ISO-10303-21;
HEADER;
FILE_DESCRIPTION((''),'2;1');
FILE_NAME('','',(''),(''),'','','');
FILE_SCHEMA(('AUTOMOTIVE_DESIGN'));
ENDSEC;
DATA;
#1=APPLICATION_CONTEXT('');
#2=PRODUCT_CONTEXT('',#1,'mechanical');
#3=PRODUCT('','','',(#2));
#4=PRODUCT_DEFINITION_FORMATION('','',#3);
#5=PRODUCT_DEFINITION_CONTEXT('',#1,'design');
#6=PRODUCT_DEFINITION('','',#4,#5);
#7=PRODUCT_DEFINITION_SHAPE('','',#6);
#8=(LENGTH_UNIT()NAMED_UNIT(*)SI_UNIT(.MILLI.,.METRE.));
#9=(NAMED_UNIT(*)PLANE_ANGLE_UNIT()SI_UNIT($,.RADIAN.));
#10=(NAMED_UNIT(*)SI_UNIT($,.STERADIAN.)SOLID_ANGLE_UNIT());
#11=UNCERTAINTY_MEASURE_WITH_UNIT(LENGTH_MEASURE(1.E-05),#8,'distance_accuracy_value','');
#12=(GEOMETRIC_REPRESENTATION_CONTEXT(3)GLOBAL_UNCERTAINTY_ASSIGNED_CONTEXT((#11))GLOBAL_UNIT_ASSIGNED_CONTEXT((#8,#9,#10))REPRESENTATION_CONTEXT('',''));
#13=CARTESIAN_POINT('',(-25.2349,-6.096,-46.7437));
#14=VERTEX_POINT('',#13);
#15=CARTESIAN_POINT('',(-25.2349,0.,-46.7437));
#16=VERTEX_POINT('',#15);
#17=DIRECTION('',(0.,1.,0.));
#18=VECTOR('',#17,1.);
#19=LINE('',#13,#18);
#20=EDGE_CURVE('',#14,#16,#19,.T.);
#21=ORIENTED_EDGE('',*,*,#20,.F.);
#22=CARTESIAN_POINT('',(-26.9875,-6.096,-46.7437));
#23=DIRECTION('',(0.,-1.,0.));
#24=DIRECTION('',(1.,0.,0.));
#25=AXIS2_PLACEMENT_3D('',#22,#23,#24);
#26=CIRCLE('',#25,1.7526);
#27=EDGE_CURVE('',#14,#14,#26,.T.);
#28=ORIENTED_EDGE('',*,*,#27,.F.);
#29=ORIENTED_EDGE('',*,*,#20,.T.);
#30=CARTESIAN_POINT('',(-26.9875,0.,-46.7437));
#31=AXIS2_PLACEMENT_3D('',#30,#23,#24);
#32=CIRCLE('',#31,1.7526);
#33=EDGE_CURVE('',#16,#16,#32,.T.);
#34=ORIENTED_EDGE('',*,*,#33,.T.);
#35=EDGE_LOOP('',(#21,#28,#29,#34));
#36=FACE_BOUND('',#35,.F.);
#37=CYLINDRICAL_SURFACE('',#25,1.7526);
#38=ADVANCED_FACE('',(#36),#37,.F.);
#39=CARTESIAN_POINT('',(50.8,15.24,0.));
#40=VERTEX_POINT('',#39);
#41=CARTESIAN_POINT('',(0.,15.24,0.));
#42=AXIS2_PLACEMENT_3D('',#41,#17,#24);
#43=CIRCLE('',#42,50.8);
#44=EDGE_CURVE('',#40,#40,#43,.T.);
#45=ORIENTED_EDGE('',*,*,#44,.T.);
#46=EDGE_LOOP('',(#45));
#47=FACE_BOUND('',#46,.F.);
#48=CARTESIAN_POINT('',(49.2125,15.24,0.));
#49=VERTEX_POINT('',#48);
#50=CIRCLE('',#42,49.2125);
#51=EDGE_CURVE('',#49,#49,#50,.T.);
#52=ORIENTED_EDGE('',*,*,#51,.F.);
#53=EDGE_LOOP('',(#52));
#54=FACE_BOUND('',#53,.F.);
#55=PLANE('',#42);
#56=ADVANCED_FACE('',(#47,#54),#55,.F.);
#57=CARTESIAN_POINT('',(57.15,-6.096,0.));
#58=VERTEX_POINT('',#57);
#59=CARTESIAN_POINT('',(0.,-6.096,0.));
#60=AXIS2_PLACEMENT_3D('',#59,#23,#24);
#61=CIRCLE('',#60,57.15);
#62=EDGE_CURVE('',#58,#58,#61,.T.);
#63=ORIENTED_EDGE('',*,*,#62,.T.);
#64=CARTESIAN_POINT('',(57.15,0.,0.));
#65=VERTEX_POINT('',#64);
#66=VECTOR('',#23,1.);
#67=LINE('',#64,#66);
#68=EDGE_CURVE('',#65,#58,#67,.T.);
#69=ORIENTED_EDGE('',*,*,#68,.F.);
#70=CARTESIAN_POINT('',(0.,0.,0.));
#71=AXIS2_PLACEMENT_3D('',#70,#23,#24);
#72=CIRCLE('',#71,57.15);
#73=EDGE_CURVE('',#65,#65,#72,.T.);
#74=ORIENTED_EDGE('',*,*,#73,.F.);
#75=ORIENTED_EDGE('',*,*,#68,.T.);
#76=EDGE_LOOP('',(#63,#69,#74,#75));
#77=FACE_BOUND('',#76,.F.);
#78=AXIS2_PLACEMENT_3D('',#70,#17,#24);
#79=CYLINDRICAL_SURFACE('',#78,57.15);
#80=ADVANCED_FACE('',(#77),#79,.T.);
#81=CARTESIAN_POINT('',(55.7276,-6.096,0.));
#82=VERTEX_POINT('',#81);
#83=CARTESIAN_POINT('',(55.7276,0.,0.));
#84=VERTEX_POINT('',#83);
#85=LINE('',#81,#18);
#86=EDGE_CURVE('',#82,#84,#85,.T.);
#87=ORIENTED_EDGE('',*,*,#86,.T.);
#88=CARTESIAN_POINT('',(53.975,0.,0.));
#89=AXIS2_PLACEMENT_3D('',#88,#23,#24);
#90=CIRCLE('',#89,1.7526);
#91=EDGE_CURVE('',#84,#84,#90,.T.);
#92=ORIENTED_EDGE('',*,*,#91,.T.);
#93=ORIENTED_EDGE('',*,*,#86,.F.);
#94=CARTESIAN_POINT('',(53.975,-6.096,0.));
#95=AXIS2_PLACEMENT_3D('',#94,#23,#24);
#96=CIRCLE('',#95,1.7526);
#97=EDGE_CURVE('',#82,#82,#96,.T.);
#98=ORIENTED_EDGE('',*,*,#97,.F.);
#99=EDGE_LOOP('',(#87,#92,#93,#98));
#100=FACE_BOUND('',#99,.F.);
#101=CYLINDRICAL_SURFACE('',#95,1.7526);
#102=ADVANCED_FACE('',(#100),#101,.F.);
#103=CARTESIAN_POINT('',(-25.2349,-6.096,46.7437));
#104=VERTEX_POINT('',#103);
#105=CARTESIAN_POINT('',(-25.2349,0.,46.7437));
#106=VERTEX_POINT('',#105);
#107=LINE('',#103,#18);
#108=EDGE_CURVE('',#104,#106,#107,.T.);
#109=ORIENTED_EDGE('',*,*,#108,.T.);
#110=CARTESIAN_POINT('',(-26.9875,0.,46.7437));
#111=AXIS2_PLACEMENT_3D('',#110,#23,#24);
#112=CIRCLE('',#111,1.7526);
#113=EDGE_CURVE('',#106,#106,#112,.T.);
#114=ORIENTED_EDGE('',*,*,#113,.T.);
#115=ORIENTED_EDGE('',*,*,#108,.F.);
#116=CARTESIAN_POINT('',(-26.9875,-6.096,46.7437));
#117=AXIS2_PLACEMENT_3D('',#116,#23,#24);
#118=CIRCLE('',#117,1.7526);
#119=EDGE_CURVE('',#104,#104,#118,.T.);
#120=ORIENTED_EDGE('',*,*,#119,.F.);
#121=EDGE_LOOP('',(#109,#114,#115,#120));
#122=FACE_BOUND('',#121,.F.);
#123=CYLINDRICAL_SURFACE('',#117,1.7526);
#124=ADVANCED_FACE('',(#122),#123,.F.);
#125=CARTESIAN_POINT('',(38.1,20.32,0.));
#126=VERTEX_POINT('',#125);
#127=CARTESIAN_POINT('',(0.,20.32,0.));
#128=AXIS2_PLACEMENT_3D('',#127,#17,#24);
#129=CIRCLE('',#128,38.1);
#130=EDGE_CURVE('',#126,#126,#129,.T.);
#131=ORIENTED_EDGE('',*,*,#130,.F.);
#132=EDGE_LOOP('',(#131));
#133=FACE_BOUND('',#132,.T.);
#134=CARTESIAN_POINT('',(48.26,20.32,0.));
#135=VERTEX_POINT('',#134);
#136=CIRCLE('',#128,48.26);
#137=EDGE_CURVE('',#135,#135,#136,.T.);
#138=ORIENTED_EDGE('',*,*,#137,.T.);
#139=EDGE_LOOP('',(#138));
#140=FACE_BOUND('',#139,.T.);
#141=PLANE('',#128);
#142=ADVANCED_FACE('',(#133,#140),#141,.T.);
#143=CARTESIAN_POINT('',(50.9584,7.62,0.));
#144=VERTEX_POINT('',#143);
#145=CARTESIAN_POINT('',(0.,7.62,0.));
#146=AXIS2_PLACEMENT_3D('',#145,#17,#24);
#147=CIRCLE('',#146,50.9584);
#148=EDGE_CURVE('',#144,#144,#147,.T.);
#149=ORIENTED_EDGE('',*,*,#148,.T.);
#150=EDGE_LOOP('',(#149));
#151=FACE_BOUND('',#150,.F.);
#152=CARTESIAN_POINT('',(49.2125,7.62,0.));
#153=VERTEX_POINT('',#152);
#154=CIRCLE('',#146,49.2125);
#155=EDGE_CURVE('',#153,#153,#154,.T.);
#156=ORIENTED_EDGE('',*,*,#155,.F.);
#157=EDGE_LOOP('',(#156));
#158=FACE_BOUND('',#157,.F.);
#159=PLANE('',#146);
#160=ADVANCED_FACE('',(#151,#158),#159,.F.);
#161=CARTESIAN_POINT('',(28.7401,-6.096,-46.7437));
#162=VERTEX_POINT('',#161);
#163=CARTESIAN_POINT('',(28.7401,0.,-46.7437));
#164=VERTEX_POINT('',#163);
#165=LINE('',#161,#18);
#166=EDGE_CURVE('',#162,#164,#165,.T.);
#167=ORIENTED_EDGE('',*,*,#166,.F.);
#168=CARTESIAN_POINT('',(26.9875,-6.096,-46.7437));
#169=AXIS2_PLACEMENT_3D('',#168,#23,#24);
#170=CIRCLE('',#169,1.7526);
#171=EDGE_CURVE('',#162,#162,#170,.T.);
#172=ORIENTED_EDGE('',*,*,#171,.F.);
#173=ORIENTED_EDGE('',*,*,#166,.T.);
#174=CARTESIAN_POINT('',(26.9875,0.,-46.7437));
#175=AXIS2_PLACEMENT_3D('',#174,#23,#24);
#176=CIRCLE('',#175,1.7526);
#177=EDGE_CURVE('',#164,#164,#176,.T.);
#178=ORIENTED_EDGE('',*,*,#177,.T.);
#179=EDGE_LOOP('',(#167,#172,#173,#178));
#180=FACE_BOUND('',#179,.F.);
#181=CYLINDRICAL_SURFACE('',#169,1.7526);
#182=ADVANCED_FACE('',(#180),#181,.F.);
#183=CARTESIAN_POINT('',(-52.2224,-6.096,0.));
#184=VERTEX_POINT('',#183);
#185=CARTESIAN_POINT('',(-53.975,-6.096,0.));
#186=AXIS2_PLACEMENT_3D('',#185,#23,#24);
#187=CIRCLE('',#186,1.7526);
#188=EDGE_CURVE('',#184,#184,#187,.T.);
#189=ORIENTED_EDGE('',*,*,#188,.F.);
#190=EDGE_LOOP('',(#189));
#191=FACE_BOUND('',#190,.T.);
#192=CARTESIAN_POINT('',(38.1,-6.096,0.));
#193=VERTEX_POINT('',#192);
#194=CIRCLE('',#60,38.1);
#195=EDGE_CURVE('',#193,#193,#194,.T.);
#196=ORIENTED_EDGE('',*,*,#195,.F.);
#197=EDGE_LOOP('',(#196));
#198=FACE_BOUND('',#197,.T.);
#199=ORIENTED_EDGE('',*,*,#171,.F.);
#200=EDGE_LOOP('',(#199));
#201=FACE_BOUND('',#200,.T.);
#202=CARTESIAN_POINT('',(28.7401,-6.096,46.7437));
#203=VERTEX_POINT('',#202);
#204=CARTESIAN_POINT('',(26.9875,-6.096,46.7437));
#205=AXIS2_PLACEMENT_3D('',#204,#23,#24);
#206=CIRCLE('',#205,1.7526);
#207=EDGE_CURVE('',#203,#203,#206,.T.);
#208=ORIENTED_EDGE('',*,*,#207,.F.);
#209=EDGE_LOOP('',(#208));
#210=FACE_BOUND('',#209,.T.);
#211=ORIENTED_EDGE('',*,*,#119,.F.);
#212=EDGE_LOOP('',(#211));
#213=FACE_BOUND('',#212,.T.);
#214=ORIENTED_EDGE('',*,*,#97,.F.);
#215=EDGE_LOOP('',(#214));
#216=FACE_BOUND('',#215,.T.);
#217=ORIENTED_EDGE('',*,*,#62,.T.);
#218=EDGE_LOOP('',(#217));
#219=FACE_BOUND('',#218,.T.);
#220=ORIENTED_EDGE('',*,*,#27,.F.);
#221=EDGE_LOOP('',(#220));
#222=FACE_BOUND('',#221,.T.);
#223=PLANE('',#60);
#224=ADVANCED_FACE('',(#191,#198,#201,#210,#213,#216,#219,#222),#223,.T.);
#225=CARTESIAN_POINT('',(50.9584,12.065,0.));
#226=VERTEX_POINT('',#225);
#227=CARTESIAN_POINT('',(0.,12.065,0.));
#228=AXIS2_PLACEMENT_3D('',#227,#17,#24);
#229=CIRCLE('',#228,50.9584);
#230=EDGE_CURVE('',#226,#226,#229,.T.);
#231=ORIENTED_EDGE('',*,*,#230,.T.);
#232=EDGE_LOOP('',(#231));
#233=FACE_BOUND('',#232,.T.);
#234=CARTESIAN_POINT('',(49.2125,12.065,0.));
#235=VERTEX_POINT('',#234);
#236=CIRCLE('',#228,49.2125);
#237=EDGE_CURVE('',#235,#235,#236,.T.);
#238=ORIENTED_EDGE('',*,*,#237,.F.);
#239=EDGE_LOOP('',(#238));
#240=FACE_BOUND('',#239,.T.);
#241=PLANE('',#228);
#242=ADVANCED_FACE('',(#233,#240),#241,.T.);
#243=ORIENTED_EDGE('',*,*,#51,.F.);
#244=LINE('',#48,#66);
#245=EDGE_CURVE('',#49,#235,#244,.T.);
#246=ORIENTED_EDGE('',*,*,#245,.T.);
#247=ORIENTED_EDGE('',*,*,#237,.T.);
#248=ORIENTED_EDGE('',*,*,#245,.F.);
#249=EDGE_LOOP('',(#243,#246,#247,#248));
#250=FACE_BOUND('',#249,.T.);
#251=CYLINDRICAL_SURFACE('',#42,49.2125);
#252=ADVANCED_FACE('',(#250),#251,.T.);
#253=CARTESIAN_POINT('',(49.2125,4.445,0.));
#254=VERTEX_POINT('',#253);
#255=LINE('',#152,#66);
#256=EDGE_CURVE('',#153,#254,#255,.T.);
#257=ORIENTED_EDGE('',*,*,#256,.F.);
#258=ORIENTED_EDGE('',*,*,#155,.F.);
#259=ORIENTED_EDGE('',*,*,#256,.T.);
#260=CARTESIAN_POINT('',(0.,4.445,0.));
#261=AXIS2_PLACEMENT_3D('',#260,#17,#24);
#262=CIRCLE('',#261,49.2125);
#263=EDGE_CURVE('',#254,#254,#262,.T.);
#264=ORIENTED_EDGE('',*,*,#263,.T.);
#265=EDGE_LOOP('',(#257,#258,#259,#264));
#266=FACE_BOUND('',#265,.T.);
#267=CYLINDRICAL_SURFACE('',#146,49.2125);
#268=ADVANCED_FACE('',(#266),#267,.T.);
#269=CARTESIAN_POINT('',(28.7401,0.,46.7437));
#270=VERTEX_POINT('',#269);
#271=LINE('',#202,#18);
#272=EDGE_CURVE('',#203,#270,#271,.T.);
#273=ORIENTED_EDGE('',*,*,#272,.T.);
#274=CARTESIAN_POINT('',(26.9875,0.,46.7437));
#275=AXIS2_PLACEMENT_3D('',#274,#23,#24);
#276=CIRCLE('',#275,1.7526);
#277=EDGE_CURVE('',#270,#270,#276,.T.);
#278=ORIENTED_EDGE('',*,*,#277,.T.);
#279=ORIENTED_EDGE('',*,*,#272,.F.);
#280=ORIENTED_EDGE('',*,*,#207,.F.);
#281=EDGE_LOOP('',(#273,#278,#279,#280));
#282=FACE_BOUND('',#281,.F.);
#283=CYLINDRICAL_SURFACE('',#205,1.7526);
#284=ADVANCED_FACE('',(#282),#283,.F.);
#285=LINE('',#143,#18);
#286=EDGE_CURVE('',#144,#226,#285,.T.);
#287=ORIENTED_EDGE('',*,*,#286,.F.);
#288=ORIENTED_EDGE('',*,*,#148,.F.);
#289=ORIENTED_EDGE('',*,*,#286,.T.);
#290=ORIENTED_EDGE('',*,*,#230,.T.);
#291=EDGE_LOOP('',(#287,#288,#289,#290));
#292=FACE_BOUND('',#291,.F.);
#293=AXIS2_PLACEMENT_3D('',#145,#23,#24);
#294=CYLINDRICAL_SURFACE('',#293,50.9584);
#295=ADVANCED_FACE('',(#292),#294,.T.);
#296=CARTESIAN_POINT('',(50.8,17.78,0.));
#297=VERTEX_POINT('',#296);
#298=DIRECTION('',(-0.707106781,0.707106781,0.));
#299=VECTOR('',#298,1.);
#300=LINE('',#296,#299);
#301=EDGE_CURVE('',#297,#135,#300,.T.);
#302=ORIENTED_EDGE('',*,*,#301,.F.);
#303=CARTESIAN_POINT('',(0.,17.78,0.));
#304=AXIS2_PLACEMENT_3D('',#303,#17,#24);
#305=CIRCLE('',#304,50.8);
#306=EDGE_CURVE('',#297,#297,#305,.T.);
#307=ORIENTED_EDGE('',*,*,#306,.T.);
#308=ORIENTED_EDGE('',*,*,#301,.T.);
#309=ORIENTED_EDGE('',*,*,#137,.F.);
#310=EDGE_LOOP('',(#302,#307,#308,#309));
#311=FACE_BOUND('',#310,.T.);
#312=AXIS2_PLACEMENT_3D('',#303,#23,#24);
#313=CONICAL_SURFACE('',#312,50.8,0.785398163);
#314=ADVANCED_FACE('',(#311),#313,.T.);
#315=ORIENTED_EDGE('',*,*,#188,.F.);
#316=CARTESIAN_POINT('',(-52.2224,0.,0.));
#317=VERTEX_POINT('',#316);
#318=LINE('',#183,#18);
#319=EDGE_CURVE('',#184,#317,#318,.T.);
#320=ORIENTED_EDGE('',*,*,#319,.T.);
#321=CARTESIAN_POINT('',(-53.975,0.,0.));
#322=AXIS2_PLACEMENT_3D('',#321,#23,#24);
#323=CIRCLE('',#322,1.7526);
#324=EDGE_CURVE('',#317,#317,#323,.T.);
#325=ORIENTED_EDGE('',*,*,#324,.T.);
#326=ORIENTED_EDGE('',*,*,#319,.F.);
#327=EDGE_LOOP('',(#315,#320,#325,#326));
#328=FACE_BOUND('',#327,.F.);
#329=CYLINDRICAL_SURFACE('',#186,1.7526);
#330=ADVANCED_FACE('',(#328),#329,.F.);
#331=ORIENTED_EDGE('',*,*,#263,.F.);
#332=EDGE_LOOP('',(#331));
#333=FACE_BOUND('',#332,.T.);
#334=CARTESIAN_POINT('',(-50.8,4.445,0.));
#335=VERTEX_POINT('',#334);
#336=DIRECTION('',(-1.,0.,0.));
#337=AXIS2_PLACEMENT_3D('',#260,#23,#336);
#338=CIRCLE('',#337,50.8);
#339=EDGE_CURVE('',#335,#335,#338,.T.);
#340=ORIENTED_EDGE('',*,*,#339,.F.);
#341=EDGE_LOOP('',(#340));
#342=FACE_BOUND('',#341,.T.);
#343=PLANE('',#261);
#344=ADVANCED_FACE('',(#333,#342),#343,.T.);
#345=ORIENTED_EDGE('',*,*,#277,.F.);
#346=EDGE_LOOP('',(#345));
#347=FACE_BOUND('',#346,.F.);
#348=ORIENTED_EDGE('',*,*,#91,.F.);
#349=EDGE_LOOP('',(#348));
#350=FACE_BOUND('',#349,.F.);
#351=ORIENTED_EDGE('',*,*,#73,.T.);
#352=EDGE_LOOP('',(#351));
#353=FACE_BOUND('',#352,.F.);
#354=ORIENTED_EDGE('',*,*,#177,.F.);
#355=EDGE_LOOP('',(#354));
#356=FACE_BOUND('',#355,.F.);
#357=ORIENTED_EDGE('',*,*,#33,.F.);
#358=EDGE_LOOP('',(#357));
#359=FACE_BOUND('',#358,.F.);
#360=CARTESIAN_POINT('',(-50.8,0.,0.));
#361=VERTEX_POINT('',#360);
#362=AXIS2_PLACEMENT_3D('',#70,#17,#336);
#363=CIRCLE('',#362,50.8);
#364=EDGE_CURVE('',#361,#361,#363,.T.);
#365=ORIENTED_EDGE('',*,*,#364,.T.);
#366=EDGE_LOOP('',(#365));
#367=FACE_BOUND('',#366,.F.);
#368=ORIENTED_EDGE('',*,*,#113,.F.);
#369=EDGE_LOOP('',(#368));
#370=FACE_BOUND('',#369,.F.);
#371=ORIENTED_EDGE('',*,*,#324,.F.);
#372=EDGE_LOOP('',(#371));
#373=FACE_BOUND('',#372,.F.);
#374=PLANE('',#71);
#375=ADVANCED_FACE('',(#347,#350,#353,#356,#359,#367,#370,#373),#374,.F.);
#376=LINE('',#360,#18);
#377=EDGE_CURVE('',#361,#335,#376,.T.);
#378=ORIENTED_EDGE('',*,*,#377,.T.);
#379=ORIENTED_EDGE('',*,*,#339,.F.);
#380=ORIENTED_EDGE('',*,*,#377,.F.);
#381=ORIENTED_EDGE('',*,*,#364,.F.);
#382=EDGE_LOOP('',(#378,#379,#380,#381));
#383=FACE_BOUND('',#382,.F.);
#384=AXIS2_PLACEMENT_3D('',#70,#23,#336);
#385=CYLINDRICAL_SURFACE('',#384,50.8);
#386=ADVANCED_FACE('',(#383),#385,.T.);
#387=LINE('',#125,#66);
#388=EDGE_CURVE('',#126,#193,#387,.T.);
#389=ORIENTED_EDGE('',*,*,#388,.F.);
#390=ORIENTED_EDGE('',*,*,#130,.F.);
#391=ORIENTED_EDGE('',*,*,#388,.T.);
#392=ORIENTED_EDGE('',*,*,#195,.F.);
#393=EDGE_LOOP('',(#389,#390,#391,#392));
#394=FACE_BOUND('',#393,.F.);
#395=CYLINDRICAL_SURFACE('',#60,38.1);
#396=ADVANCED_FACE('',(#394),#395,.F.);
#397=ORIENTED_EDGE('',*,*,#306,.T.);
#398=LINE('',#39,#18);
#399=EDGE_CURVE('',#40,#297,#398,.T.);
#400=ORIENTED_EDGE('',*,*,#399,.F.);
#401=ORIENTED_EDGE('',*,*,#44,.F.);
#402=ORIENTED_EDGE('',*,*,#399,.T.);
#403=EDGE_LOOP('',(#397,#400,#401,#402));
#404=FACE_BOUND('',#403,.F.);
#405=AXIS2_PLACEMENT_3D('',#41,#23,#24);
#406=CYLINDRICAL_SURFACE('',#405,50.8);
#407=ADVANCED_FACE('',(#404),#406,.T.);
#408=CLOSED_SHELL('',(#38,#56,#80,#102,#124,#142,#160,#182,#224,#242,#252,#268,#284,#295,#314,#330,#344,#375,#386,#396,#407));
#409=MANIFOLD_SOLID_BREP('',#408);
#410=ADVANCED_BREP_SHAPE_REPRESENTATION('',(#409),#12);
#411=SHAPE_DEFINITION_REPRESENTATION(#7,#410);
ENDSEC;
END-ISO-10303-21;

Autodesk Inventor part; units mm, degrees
ref_plane "YZ Plane" through (0, 0, 0) normal (1, 0, 0) x (0, 1, 0)
ref_plane "XZ Plane" through (0, 0, 0) normal (0, 1, 0) x (-1, 0, 0)
ref_plane "XY Plane" through (0, 0, 0) normal (0, 0, 1) x (1, 0, 0)
sketch "Sketch1" plane through (0, 0, 0) normal (0, 1, 0) x (-1, 0, 0)
  circle A0 centre (0, 0) radius 50.8
  dimension "d0" = 101.6
extrude "Extrusion1" add sketch "Sketch1" along normal blind 7.62
sketch "Sketch2" plane through (0, 7.62, 0) normal (0, 1, 0) x (1, 0, 0)
  circle A0 centre (0, 0) radius 49.2125
  circle A1 centre (0, 0) radius 50.8
  dimension "d3" = 98.425
extrude "Extrusion2" cut sketch "Sketch2" against normal blind 3.175
sketch "Sketch3" plane through (0, 7.62, 0) normal (0, 1, 0) x (1, 0, 0)
  circle A0 centre (0, 0) radius 50.9584
extrude "Extrusion3" add sketch "Sketch3" along normal blind 7.62
sketch "Sketch4" plane through (0, 15.24, 0) normal (0, 1, 0) x (1, 0, 0)
  point P0 (0, 0)
sketch "Sketch5" plane through (0, 15.24, 0) normal (0, 1, 0) x (1, 0, 0)
  circle A0 centre (0, 0) radius 49.2125
  circle A1 centre (0, 0) radius 50.9584
  dimension "d8" = 98.425
extrude "Extrusion4" cut sketch "Sketch5" against normal blind 3.175
sketch "Sketch6" plane through (0, 15.24, 0) normal (0, 1, 0) x (1, 0, 0)
  circle A0 centre (0, 0) radius 50.8
  dimension "d11" = 101.6
extrude "Extrusion5" add sketch "Sketch6" along normal blind 5.08
sketch "Sketch7" plane through (0, 0, 0) normal (0, -1, 0) x (1, 0, 0)
  circle A0 centre (0, 0) radius 57.15
  dimension "d14" = 114.3
extrude "Extrusion6" add sketch "Sketch7" along normal blind 6.096
chamfer "Chamfer1" distance 2.54 angle 45 1 edges at (-50.8, 20.32, 0)
sketch "Sketch8" plane through (0, -6.096, 0) normal (0, -1, 0) x (1, 0, 0)
  circle A0 centre (0, 0) radius 50.8
  circle A1 centre (53.975, 0) radius 1.7526
  circle A2 centre (26.9875, 46.7437) radius 1.7526
  circle A3 centre (-26.9875, 46.7437) radius 1.7526
  circle A4 centre (-53.975, 0) radius 1.7526
  circle A5 centre (-26.9875, -46.7437) radius 1.7526
  circle A6 centre (26.9875, -46.7437) radius 1.7526
  dimension "d20" = 3.5052
  dimension "d21" = 53.975
  dimension "d24" = 360
extrude "Extrusion7" cut sketch "Sketch8" against normal blind 6.096 contours A1 | A2 | A3 | A4 | A5 | A6
sketch "Sketch9" plane through (0, -6.096, 0) normal (0, -1, 0) x (1, 0, 0)
  circle A0 centre (0, 0) radius 12.7
  circle A1 centre (0, 0) radius 1.27
  dimension "d28" = 25.4
  dimension "d29" = 2.54
extrude "Extrusion8" cut sketch "Sketch9" against normal blind 127 contours A1
sketch "Sketch10" plane through (0, -6.096, 0) normal (0, -1, 0) x (1, 0, 0)
  circle A0 centre (0, 0) radius 1.27 projected
  circle A1 centre (0, 0) radius 38.1
  dimension "d33" = 76.2
extrude "Extrusion9" cut sketch "Sketch10" against normal blind 9.525
sketch "Sketch11" plane through (0, 3.429, 0) normal (0, -1, 0) x (1, 0, 0)
  circle A0 centre (0, 0) radius 12.7
  circle A1 centre (0, 0) radius 1.27
  dimension "d36" = 25.4
extrude "Extrusion10" add sketch "Sketch11" along normal blind 9.525
sketch "Sketch12" plane through (0, 20.32, 0) normal (0, 1, 0) x (1, 0, 0)
  circle A0 centre (0, 0) radius 1.27 projected
  circle A1 centre (0, 0) radius 38.1
extrude "Extrusion11" cut sketch "Sketch12" against normal blind 508
sketch "Sketch13" plane through (0, -6.096, 0) normal (0, -1, 0) x (1, 0, 0)
  point P0 (0, 0)
properties part number "O ring Dome 2"
